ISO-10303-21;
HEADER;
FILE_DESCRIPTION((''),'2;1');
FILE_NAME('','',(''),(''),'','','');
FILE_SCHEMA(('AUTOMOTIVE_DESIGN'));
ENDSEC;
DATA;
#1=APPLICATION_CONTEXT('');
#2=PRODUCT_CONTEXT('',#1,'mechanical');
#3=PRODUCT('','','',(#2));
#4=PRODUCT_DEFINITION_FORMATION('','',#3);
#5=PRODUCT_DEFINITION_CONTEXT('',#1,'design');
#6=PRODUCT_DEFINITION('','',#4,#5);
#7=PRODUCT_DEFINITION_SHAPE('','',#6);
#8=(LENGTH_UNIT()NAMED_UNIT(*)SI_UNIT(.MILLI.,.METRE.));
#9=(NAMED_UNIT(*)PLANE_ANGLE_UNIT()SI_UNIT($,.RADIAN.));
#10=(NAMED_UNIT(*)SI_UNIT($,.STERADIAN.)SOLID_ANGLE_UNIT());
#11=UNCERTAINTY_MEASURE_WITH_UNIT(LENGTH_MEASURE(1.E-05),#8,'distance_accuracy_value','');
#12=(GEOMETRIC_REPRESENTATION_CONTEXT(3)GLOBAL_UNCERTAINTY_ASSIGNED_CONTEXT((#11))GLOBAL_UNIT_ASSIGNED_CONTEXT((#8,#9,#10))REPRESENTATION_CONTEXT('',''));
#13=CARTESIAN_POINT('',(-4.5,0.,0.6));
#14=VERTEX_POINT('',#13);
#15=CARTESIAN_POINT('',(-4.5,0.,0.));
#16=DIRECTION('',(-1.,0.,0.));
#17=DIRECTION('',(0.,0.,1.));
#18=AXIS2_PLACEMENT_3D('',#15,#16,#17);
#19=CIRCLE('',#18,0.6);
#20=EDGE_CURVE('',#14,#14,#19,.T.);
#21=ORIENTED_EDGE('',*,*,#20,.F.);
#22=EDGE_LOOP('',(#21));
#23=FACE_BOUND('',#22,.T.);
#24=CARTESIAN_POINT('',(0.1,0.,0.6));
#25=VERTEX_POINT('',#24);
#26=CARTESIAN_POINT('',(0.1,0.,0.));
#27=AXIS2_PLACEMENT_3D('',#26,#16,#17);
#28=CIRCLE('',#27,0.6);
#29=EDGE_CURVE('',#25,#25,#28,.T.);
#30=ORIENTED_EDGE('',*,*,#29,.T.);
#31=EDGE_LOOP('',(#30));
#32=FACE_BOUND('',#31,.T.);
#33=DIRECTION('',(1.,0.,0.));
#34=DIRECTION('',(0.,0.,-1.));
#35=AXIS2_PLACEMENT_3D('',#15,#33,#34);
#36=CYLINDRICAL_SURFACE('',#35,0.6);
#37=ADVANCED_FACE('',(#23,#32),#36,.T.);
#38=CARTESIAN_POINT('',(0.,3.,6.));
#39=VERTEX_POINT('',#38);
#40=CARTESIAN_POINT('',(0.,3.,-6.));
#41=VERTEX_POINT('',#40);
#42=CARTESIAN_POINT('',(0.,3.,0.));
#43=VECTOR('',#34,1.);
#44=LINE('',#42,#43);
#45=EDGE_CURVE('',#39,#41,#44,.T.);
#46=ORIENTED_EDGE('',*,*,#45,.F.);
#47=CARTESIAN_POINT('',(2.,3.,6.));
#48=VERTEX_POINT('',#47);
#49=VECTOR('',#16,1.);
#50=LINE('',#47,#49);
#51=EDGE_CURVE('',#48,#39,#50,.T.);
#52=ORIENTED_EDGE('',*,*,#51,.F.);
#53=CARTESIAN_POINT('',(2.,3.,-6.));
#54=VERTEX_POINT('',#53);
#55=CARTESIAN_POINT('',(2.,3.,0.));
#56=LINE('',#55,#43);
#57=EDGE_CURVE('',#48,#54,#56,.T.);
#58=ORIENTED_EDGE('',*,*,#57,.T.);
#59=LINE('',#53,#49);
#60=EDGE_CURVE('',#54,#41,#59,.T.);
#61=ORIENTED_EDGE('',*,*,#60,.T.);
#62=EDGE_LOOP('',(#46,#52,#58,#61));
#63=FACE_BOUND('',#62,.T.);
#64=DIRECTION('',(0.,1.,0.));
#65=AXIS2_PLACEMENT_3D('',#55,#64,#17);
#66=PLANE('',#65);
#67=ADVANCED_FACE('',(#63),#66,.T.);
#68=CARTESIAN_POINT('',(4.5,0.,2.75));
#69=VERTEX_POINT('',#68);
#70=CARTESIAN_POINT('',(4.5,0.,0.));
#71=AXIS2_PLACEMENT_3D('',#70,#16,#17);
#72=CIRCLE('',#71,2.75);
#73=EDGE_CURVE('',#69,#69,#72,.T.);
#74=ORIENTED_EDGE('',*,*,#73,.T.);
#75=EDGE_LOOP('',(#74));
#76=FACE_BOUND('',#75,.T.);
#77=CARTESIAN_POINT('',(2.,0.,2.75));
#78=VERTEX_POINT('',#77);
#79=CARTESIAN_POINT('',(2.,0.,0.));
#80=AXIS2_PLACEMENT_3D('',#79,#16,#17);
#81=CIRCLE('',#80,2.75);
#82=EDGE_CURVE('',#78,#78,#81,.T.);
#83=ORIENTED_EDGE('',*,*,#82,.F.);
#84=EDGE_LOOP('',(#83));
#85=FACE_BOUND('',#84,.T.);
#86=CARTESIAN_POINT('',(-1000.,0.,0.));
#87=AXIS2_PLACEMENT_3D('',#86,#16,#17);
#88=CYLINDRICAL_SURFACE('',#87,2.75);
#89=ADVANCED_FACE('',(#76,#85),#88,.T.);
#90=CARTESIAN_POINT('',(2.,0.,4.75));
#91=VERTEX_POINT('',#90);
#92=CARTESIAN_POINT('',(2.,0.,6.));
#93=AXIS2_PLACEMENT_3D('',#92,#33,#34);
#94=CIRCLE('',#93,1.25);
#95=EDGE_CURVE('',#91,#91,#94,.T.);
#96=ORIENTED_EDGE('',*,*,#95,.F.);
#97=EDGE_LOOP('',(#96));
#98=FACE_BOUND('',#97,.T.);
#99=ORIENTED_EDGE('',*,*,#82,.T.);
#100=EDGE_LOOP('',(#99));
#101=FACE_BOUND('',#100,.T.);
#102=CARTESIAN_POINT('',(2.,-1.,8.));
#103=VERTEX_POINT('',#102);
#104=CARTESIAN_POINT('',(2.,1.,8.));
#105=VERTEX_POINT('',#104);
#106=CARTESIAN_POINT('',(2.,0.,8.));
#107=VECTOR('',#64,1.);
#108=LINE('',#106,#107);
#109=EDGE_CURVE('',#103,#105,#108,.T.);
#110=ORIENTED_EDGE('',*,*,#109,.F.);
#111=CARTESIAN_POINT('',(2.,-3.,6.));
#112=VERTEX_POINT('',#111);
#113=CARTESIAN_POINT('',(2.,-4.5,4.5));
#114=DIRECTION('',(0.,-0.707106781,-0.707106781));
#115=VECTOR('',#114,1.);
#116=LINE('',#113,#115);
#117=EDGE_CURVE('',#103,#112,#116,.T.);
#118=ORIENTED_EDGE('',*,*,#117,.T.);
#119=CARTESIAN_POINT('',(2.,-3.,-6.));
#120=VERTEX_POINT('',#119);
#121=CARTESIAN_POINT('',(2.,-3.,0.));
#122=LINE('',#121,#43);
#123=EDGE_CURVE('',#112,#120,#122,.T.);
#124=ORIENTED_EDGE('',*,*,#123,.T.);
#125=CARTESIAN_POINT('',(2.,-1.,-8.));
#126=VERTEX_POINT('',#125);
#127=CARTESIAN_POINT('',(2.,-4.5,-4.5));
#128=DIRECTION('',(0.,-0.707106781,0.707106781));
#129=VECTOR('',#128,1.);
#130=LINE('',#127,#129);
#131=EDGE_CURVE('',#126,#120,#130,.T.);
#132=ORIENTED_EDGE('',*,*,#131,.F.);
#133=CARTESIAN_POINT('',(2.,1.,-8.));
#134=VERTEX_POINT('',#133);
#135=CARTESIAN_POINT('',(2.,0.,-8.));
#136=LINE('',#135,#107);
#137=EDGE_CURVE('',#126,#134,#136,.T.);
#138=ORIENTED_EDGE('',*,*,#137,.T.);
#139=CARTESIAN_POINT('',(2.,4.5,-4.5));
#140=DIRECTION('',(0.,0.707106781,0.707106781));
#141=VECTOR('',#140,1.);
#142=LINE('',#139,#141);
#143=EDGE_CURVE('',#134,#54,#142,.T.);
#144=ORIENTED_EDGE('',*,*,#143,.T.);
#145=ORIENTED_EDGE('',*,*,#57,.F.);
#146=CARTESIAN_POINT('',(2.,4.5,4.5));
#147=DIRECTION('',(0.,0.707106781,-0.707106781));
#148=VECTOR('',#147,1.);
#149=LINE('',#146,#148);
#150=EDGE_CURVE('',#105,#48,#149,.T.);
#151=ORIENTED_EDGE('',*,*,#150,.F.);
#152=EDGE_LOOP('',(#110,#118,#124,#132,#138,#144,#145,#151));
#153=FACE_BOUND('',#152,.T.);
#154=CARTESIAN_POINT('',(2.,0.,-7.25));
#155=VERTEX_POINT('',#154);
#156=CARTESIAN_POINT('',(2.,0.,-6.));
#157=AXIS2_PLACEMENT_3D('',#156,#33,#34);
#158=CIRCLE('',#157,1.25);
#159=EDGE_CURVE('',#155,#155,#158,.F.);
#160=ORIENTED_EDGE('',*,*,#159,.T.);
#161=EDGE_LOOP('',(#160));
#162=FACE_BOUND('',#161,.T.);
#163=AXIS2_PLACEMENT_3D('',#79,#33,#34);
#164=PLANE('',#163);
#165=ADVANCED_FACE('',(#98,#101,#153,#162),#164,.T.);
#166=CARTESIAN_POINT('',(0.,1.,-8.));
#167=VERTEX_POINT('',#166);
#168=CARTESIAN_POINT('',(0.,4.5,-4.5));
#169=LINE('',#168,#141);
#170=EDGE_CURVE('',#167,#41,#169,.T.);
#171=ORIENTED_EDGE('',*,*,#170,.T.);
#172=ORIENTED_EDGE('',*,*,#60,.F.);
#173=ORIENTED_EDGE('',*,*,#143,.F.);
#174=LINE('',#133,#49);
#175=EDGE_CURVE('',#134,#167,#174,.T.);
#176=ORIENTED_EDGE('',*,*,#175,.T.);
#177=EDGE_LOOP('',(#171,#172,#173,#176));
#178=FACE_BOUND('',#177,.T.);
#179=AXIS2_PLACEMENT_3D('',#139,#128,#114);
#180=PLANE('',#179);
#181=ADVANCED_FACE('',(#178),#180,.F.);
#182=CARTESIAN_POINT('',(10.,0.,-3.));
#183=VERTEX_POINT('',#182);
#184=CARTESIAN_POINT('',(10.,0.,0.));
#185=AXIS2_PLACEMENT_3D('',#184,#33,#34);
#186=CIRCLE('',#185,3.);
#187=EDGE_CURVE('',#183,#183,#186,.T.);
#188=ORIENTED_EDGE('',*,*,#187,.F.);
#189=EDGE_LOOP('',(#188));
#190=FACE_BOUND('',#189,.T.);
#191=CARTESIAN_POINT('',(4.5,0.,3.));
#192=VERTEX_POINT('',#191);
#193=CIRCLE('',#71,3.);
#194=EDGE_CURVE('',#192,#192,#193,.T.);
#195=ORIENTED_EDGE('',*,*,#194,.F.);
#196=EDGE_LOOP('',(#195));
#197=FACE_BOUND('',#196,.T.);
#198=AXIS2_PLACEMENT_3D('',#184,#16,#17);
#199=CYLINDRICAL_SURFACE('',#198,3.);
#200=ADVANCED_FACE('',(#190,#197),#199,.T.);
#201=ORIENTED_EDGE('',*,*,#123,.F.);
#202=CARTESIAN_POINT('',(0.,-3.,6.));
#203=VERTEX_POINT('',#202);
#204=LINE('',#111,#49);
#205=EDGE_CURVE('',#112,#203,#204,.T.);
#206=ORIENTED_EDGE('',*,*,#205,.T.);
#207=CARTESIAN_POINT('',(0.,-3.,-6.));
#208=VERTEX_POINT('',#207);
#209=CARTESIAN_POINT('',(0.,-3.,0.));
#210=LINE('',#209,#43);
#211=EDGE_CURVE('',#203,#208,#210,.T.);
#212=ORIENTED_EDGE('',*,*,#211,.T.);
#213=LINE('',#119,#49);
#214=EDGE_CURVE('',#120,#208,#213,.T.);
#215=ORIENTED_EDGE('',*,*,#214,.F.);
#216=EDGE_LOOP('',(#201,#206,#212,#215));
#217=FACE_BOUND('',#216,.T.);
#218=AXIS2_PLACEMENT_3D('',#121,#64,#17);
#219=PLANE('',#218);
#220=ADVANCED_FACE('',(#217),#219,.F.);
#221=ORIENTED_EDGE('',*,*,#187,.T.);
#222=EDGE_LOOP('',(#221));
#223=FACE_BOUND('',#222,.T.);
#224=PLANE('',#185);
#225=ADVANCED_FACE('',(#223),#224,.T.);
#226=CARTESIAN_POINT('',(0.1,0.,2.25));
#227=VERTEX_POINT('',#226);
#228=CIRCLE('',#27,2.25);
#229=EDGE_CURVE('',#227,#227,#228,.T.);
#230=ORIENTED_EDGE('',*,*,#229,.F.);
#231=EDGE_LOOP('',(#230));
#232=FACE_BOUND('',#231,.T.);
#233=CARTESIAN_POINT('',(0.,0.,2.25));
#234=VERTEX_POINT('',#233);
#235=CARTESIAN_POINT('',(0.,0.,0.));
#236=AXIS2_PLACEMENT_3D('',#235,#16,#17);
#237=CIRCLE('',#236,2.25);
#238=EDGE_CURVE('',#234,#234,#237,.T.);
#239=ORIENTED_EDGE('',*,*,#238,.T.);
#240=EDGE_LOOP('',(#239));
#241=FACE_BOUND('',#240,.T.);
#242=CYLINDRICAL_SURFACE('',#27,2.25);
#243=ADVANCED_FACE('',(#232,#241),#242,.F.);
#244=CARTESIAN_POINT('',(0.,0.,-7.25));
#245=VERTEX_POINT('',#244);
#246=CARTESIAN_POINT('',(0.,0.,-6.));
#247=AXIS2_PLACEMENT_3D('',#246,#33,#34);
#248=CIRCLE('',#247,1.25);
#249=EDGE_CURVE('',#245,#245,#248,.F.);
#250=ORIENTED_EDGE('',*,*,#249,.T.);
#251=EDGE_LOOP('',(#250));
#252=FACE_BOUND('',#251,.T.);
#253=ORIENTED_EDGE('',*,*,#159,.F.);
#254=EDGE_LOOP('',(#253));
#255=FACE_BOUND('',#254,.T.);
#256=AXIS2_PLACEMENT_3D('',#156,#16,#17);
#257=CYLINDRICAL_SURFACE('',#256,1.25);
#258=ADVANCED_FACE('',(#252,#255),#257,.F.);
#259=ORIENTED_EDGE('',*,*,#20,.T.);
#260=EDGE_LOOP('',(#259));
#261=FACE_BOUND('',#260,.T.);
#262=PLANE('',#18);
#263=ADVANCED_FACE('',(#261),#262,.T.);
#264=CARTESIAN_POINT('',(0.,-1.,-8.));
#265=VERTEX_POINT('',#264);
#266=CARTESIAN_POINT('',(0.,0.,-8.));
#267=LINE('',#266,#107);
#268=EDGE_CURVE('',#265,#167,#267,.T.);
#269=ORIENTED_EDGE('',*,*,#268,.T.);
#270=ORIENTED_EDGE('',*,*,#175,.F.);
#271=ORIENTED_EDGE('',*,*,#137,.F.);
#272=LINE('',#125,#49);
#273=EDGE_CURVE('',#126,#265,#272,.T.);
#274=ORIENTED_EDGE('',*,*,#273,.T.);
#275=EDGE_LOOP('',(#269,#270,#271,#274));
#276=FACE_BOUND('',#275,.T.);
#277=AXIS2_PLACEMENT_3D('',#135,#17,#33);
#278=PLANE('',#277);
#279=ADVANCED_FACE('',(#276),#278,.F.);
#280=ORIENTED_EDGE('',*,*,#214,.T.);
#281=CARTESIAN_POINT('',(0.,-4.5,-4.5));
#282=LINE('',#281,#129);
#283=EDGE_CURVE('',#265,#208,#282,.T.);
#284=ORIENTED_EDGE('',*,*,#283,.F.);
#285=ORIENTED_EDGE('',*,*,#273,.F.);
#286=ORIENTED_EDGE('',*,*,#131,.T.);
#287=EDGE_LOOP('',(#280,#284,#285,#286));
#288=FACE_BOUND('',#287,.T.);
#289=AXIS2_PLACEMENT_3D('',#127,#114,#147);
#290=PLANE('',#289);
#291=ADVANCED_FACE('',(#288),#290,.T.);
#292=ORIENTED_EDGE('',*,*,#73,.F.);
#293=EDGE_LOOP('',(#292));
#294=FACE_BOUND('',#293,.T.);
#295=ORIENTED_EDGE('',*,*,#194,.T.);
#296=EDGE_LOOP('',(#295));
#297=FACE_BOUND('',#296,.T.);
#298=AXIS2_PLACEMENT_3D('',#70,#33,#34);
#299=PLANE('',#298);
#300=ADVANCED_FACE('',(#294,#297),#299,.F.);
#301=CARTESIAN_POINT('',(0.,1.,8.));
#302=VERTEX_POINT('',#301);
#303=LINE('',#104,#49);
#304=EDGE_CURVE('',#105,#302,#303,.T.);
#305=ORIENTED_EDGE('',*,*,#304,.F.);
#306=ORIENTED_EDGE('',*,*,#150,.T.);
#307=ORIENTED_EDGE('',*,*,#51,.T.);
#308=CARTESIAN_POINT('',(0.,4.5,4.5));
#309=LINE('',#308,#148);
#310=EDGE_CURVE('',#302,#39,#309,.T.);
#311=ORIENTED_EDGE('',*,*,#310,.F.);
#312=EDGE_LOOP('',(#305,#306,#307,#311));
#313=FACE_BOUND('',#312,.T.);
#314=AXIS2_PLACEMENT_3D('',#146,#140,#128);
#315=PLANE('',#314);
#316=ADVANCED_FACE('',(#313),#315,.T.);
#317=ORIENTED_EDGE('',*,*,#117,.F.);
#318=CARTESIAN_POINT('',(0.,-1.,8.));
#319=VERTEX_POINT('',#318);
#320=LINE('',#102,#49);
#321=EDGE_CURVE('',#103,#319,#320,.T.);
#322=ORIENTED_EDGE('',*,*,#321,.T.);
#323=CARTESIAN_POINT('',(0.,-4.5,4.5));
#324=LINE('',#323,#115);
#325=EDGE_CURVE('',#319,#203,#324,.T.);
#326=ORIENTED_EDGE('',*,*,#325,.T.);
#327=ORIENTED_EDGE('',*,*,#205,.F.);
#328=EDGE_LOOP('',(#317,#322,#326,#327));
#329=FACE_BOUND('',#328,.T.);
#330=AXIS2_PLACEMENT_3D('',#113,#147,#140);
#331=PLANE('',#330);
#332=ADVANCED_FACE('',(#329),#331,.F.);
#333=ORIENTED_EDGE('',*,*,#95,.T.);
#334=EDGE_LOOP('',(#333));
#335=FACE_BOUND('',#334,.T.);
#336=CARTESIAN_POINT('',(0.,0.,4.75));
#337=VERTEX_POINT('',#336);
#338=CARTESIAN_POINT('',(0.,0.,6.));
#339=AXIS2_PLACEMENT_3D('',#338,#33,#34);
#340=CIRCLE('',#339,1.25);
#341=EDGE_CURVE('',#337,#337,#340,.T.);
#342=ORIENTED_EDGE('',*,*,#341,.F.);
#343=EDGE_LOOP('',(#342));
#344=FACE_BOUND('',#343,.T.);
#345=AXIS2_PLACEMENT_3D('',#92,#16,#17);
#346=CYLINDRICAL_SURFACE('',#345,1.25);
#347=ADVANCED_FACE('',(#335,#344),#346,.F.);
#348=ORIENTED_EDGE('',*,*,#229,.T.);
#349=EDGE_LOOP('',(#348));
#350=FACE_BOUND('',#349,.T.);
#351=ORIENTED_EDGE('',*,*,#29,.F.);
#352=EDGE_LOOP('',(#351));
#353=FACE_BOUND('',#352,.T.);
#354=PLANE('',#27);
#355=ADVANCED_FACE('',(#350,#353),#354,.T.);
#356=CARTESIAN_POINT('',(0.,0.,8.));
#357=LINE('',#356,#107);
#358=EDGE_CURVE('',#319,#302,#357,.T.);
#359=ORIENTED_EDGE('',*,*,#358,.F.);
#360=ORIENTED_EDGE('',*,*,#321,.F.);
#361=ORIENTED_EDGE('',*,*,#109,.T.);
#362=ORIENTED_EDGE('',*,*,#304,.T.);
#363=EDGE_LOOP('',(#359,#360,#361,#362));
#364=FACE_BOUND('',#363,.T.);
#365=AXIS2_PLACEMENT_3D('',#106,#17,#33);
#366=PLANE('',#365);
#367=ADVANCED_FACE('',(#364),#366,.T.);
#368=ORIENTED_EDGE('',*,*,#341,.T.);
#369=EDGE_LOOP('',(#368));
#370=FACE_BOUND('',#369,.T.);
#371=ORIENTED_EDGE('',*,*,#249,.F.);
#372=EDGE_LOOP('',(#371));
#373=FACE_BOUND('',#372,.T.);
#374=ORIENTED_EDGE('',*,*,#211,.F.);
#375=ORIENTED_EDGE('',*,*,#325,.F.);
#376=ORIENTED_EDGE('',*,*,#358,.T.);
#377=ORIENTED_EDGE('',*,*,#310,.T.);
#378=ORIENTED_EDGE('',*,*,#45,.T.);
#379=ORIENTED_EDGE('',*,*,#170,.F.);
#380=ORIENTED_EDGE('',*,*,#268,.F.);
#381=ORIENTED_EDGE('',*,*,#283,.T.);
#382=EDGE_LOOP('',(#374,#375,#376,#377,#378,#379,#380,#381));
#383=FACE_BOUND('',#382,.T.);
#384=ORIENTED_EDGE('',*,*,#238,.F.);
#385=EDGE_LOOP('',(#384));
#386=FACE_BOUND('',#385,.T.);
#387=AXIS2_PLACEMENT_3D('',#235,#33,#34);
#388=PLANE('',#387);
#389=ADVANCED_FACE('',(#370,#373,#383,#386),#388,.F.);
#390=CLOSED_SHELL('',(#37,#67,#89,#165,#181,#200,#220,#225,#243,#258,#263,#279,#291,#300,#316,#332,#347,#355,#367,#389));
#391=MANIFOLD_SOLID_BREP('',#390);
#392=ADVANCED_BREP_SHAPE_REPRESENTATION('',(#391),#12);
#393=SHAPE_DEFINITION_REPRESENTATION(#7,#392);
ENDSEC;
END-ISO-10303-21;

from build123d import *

# Parameters (mm, degrees)
SKETCH_1_R          = 1.25
EXTRUDE_1_DEPTH     = 2
SKETCH_2_R          = 2.25
CUT_EXTRUDE_1_DEPTH = 0.1
SKETCH_6_R          = 0.6
EXTRUDE_2_DEPTH     = 4.6
SKETCH_7_R          = 3
EXTRUDE_3_DEPTH     = 8
SKETCH_8_W          = 2.5
SKETCH_8_H          = 0.25


with BuildPart() as part:
    # Эскиз1 → Бобышка-Вытянуть1 (new body)
    with BuildSketch(Plane(origin=(0, 0, 0), x_dir=(0, 0, -1), z_dir=(1, 0, 0))):
        Polygon((-6, 3), (-8, 1), (-8, -1), (-6, -3), (6, -3), (8, -1), (8, 1), (6, 3), align=None)
        with Locations((-6, 0)):
            Circle(SKETCH_1_R, mode=Mode.SUBTRACT)
        with Locations((6, 0)):
            Circle(SKETCH_1_R, mode=Mode.SUBTRACT)
    extrude(amount=EXTRUDE_1_DEPTH)

    # Эскиз2 → Вырез-Вытянуть1 (cut)
    with BuildSketch(Plane.ZY):
        Circle(SKETCH_2_R)
    extrude(amount=-CUT_EXTRUDE_1_DEPTH, mode=Mode.SUBTRACT)

    # Эскиз6 → Бобышка-Вытянуть2 (add)
    with BuildSketch(Plane.ZY.offset(-0.1)):
        Circle(SKETCH_6_R)
    extrude(amount=EXTRUDE_2_DEPTH)

    # Эскиз7 → Бобышка-Вытянуть3 (add)
    with BuildSketch(Plane(origin=(2, 0, 0), x_dir=(0, 0, -1), z_dir=(1, 0, 0))):
        with Locations(Location((0, 0, 0), (0, 0, 270))):
            Circle(SKETCH_7_R)
    extrude(amount=EXTRUDE_3_DEPTH)

    # Эскиз8 → Вырез-Повернуть1 (revolve, cut)
    with BuildSketch(Plane.XY, mode=Mode.PRIVATE) as cut_revolve_1_sk:
        with Locations((3.25, 2.875)):
            Rectangle(SKETCH_8_W, SKETCH_8_H)
    revolve(cut_revolve_1_sk.sketch.rotate(Axis((-1000, 0, 0), (1, 0, 0)), 90), axis=Axis((-1000, 0, 0), (1, 0, 0)), mode=Mode.SUBTRACT)


solid = part.part
